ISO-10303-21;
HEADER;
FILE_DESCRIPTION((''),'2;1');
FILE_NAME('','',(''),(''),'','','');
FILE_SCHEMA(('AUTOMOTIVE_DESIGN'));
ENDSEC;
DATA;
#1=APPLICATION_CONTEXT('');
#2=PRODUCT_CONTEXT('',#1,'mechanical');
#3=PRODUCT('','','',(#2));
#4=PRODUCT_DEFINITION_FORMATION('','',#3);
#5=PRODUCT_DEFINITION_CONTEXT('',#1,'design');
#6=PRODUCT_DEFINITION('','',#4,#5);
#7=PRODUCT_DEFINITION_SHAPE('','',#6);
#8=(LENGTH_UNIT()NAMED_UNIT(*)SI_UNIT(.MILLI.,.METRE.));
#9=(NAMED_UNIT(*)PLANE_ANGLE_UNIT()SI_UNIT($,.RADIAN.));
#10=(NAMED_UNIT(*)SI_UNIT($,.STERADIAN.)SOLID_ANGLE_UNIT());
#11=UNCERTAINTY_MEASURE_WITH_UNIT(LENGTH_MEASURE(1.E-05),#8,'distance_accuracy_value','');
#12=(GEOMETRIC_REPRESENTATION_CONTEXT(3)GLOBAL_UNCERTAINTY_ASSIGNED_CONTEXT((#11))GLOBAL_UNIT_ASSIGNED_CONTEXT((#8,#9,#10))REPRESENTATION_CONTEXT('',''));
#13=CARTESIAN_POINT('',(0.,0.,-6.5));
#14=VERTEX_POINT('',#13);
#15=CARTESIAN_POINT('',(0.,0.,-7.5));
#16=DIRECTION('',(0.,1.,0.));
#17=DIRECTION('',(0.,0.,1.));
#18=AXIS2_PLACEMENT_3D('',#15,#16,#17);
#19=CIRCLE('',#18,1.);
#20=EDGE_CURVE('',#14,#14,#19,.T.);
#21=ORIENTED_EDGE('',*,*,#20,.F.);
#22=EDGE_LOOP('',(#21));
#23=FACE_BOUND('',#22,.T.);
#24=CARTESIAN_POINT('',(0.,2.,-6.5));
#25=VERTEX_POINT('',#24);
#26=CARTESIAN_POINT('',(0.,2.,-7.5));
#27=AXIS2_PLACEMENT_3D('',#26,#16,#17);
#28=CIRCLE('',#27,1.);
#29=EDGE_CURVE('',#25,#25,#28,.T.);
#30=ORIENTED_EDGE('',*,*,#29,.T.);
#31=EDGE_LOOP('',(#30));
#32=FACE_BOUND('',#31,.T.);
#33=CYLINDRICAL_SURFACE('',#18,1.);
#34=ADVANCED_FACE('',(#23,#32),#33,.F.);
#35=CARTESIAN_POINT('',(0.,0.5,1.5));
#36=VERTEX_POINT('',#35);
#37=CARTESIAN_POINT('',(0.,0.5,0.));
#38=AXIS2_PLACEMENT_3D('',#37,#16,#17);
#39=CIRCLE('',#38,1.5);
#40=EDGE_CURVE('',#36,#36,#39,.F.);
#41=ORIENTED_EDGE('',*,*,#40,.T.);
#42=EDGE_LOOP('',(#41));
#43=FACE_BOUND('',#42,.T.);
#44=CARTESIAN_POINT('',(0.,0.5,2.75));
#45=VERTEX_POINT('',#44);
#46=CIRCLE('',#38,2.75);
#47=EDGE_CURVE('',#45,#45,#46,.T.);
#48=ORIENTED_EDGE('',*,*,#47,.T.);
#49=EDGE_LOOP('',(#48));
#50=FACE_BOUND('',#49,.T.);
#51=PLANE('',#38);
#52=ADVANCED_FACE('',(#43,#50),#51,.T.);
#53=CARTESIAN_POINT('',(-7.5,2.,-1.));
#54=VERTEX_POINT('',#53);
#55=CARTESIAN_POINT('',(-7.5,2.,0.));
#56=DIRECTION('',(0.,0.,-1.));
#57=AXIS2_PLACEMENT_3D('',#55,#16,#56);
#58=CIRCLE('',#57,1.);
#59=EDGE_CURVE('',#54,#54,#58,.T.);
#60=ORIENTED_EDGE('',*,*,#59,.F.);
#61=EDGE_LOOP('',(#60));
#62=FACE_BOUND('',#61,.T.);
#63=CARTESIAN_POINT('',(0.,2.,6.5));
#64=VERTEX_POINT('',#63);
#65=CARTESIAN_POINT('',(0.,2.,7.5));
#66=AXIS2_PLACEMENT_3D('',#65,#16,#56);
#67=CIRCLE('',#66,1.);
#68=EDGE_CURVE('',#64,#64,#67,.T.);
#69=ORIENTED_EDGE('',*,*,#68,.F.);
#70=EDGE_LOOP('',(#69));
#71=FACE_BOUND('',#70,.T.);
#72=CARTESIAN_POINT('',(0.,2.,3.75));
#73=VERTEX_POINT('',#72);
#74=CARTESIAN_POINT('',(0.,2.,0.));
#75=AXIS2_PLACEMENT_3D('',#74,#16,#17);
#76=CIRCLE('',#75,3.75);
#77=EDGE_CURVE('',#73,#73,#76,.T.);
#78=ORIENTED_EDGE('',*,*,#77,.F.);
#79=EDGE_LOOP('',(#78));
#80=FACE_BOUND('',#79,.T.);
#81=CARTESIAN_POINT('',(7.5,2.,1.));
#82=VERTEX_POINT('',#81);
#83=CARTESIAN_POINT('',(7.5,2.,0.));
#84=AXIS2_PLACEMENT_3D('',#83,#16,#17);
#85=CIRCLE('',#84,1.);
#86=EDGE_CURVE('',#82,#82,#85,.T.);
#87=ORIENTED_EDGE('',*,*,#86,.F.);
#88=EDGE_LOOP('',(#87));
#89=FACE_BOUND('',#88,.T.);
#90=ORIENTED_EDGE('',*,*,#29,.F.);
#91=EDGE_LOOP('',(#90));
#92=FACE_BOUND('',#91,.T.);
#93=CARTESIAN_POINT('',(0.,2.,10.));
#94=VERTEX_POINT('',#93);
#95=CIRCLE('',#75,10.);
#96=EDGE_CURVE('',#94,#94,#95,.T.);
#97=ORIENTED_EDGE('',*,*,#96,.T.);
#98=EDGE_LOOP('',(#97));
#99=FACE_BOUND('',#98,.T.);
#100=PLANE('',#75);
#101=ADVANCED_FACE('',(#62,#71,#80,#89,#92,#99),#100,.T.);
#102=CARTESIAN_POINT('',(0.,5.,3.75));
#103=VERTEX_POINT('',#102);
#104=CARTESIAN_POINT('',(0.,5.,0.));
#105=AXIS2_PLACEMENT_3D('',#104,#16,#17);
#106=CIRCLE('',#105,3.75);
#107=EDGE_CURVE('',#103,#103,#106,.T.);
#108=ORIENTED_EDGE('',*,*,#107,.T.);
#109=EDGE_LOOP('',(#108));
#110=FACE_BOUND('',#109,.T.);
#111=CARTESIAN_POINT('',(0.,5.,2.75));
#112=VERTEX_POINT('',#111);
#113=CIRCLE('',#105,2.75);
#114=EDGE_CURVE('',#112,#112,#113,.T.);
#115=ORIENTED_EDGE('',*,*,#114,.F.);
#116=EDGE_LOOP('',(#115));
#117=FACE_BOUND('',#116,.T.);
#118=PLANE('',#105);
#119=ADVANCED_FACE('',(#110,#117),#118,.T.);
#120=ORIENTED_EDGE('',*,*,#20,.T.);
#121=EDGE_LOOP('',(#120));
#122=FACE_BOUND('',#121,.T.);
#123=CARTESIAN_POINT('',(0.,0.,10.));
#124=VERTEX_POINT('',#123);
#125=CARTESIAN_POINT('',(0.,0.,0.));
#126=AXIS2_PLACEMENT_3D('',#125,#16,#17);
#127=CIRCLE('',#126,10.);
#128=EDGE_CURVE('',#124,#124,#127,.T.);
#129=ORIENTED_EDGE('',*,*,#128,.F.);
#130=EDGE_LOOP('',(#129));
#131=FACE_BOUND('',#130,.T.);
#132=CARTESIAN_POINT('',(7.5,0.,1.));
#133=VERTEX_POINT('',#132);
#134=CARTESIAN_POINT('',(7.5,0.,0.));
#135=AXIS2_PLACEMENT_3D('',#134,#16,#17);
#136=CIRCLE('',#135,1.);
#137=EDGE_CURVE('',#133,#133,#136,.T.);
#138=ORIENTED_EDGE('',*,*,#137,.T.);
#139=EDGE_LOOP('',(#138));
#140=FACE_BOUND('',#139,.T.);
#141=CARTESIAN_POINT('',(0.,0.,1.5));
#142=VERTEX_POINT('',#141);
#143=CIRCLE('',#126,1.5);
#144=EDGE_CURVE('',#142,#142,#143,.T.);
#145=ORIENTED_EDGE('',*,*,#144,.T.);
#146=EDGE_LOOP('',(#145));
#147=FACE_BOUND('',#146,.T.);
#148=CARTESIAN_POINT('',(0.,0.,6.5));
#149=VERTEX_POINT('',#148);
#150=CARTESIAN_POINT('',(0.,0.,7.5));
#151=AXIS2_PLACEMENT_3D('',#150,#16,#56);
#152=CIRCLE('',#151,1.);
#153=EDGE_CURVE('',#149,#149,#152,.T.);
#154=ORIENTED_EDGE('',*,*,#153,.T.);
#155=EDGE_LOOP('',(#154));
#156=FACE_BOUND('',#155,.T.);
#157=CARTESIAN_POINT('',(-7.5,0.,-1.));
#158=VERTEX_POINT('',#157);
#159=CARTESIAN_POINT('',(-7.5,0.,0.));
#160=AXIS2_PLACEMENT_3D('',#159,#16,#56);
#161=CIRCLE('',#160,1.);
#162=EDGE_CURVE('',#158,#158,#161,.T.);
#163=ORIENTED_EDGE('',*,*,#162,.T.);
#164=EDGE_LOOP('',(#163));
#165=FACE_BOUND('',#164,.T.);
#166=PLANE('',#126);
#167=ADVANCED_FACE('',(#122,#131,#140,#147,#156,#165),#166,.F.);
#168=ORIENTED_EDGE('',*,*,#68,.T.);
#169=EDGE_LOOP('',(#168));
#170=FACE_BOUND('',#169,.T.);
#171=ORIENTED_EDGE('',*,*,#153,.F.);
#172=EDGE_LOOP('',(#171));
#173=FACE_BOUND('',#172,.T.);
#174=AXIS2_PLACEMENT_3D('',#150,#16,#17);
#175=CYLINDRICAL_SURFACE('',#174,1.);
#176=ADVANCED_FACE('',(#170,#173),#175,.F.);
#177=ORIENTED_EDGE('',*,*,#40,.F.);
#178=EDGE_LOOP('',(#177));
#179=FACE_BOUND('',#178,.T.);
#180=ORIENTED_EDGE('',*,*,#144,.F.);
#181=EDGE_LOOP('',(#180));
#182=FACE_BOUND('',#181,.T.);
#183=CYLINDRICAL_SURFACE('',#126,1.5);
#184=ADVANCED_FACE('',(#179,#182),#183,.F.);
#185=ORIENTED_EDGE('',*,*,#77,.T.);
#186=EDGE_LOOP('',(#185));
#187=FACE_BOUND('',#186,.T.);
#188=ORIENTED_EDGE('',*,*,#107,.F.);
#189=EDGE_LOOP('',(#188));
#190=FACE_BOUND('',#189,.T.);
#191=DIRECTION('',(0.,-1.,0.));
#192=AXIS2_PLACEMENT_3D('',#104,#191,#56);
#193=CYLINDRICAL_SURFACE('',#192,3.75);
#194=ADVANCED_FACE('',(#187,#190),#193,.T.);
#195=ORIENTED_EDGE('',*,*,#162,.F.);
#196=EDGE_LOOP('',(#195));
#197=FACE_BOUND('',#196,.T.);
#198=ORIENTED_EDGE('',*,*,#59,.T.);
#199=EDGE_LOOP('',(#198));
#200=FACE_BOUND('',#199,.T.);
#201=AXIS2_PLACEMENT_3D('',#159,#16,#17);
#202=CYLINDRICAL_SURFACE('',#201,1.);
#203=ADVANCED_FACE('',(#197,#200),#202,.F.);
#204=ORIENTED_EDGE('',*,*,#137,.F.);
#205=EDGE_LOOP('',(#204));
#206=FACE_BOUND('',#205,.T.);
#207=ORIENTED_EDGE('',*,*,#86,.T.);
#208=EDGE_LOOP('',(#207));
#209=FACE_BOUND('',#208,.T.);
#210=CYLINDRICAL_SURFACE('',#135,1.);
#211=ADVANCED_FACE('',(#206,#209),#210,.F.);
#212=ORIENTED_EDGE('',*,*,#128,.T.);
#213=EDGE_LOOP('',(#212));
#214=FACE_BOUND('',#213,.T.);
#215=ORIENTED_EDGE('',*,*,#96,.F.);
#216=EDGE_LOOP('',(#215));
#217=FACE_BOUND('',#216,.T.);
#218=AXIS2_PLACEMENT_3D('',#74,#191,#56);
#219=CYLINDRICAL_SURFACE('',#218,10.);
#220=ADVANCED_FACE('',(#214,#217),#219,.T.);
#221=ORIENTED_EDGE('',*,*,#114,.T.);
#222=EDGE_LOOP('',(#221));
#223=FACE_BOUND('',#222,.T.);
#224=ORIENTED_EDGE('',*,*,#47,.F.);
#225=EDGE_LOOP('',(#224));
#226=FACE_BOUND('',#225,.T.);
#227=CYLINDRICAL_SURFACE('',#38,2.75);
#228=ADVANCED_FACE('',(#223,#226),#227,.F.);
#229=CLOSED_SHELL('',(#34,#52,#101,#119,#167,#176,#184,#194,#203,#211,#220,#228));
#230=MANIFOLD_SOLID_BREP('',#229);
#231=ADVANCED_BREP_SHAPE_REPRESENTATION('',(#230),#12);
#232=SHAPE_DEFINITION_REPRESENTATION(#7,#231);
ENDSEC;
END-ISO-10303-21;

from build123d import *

# Parameters (mm, degrees)
SKETCH2_R           = 10
BOSS_EXTRUDE1_DEPTH = 2
SKETCH3_R           = 1
CUT_EXTRUDE1_DEPTH  = 15.282856857
SKETCH4_R           = 3.75
BOSS_EXTRUDE2_DEPTH = 3
SKETCH5_R           = 1.5
CUT_EXTRUDE2_DEPTH  = 16
SKETCH6_R           = 2.75
CUT_EXTRUDE3_DEPTH  = 4.5


with BuildPart() as part:
    # Sketch2 → Boss-Extrude1 (new body)
    with BuildSketch(Plane(origin=(0, 0, 0), x_dir=(1, 0, 0), z_dir=(0, 1, 0))):
        with Locations(Location((0, 0, 0), (0, 0, 270))):
            Circle(SKETCH2_R)
    extrude(amount=BOSS_EXTRUDE1_DEPTH)

    # Sketch3 → Cut-Extrude1 (cut, through all)
    with BuildSketch(Plane(origin=(0, 2, 0), x_dir=(1, 0, 0), z_dir=(0, 1, 0))):
        with Locations(Location((0, 7.5, 0), (0, 0, 270))):
            Circle(SKETCH3_R)
        with Locations(Location((7.5, 0, 0), (0, 0, 270))):
            Circle(SKETCH3_R)
        with Locations(Location((0, -7.5, 0), (0, 0, 90))):
            Circle(SKETCH3_R)
        with Locations(Location((-7.5, 0, 0), (0, 0, 90))):
            Circle(SKETCH3_R)
    extrude(amount=-CUT_EXTRUDE1_DEPTH, mode=Mode.SUBTRACT)

    # Sketch4 → Boss-Extrude2 (add)
    with BuildSketch(Plane(origin=(0, 2, 0), x_dir=(1, 0, 0), z_dir=(0, 1, 0))):
        with Locations(Location((0, 0, 0), (0, 0, 270))):
            Circle(SKETCH4_R)
    extrude(amount=BOSS_EXTRUDE2_DEPTH)

    # Sketch5 → Cut-Extrude2 (cut, through all)
    with BuildSketch(Plane(origin=(0, 5, 0), x_dir=(1, 0, 0), z_dir=(0, 1, 0))):
        with Locations(Location((0, 0, 0), (0, 0, 270))):
            Circle(SKETCH5_R)
    extrude(amount=-CUT_EXTRUDE2_DEPTH, mode=Mode.SUBTRACT)

    # Sketch6 → Cut-Extrude3 (cut)
    with BuildSketch(Plane(origin=(0, 5, 0), x_dir=(1, 0, 0), z_dir=(0, 1, 0))):
        with Locations(Location((0, 0, 0), (0, 0, 270))):
            Circle(SKETCH6_R)
    extrude(amount=-CUT_EXTRUDE3_DEPTH, mode=Mode.SUBTRACT)


solid = part.part
